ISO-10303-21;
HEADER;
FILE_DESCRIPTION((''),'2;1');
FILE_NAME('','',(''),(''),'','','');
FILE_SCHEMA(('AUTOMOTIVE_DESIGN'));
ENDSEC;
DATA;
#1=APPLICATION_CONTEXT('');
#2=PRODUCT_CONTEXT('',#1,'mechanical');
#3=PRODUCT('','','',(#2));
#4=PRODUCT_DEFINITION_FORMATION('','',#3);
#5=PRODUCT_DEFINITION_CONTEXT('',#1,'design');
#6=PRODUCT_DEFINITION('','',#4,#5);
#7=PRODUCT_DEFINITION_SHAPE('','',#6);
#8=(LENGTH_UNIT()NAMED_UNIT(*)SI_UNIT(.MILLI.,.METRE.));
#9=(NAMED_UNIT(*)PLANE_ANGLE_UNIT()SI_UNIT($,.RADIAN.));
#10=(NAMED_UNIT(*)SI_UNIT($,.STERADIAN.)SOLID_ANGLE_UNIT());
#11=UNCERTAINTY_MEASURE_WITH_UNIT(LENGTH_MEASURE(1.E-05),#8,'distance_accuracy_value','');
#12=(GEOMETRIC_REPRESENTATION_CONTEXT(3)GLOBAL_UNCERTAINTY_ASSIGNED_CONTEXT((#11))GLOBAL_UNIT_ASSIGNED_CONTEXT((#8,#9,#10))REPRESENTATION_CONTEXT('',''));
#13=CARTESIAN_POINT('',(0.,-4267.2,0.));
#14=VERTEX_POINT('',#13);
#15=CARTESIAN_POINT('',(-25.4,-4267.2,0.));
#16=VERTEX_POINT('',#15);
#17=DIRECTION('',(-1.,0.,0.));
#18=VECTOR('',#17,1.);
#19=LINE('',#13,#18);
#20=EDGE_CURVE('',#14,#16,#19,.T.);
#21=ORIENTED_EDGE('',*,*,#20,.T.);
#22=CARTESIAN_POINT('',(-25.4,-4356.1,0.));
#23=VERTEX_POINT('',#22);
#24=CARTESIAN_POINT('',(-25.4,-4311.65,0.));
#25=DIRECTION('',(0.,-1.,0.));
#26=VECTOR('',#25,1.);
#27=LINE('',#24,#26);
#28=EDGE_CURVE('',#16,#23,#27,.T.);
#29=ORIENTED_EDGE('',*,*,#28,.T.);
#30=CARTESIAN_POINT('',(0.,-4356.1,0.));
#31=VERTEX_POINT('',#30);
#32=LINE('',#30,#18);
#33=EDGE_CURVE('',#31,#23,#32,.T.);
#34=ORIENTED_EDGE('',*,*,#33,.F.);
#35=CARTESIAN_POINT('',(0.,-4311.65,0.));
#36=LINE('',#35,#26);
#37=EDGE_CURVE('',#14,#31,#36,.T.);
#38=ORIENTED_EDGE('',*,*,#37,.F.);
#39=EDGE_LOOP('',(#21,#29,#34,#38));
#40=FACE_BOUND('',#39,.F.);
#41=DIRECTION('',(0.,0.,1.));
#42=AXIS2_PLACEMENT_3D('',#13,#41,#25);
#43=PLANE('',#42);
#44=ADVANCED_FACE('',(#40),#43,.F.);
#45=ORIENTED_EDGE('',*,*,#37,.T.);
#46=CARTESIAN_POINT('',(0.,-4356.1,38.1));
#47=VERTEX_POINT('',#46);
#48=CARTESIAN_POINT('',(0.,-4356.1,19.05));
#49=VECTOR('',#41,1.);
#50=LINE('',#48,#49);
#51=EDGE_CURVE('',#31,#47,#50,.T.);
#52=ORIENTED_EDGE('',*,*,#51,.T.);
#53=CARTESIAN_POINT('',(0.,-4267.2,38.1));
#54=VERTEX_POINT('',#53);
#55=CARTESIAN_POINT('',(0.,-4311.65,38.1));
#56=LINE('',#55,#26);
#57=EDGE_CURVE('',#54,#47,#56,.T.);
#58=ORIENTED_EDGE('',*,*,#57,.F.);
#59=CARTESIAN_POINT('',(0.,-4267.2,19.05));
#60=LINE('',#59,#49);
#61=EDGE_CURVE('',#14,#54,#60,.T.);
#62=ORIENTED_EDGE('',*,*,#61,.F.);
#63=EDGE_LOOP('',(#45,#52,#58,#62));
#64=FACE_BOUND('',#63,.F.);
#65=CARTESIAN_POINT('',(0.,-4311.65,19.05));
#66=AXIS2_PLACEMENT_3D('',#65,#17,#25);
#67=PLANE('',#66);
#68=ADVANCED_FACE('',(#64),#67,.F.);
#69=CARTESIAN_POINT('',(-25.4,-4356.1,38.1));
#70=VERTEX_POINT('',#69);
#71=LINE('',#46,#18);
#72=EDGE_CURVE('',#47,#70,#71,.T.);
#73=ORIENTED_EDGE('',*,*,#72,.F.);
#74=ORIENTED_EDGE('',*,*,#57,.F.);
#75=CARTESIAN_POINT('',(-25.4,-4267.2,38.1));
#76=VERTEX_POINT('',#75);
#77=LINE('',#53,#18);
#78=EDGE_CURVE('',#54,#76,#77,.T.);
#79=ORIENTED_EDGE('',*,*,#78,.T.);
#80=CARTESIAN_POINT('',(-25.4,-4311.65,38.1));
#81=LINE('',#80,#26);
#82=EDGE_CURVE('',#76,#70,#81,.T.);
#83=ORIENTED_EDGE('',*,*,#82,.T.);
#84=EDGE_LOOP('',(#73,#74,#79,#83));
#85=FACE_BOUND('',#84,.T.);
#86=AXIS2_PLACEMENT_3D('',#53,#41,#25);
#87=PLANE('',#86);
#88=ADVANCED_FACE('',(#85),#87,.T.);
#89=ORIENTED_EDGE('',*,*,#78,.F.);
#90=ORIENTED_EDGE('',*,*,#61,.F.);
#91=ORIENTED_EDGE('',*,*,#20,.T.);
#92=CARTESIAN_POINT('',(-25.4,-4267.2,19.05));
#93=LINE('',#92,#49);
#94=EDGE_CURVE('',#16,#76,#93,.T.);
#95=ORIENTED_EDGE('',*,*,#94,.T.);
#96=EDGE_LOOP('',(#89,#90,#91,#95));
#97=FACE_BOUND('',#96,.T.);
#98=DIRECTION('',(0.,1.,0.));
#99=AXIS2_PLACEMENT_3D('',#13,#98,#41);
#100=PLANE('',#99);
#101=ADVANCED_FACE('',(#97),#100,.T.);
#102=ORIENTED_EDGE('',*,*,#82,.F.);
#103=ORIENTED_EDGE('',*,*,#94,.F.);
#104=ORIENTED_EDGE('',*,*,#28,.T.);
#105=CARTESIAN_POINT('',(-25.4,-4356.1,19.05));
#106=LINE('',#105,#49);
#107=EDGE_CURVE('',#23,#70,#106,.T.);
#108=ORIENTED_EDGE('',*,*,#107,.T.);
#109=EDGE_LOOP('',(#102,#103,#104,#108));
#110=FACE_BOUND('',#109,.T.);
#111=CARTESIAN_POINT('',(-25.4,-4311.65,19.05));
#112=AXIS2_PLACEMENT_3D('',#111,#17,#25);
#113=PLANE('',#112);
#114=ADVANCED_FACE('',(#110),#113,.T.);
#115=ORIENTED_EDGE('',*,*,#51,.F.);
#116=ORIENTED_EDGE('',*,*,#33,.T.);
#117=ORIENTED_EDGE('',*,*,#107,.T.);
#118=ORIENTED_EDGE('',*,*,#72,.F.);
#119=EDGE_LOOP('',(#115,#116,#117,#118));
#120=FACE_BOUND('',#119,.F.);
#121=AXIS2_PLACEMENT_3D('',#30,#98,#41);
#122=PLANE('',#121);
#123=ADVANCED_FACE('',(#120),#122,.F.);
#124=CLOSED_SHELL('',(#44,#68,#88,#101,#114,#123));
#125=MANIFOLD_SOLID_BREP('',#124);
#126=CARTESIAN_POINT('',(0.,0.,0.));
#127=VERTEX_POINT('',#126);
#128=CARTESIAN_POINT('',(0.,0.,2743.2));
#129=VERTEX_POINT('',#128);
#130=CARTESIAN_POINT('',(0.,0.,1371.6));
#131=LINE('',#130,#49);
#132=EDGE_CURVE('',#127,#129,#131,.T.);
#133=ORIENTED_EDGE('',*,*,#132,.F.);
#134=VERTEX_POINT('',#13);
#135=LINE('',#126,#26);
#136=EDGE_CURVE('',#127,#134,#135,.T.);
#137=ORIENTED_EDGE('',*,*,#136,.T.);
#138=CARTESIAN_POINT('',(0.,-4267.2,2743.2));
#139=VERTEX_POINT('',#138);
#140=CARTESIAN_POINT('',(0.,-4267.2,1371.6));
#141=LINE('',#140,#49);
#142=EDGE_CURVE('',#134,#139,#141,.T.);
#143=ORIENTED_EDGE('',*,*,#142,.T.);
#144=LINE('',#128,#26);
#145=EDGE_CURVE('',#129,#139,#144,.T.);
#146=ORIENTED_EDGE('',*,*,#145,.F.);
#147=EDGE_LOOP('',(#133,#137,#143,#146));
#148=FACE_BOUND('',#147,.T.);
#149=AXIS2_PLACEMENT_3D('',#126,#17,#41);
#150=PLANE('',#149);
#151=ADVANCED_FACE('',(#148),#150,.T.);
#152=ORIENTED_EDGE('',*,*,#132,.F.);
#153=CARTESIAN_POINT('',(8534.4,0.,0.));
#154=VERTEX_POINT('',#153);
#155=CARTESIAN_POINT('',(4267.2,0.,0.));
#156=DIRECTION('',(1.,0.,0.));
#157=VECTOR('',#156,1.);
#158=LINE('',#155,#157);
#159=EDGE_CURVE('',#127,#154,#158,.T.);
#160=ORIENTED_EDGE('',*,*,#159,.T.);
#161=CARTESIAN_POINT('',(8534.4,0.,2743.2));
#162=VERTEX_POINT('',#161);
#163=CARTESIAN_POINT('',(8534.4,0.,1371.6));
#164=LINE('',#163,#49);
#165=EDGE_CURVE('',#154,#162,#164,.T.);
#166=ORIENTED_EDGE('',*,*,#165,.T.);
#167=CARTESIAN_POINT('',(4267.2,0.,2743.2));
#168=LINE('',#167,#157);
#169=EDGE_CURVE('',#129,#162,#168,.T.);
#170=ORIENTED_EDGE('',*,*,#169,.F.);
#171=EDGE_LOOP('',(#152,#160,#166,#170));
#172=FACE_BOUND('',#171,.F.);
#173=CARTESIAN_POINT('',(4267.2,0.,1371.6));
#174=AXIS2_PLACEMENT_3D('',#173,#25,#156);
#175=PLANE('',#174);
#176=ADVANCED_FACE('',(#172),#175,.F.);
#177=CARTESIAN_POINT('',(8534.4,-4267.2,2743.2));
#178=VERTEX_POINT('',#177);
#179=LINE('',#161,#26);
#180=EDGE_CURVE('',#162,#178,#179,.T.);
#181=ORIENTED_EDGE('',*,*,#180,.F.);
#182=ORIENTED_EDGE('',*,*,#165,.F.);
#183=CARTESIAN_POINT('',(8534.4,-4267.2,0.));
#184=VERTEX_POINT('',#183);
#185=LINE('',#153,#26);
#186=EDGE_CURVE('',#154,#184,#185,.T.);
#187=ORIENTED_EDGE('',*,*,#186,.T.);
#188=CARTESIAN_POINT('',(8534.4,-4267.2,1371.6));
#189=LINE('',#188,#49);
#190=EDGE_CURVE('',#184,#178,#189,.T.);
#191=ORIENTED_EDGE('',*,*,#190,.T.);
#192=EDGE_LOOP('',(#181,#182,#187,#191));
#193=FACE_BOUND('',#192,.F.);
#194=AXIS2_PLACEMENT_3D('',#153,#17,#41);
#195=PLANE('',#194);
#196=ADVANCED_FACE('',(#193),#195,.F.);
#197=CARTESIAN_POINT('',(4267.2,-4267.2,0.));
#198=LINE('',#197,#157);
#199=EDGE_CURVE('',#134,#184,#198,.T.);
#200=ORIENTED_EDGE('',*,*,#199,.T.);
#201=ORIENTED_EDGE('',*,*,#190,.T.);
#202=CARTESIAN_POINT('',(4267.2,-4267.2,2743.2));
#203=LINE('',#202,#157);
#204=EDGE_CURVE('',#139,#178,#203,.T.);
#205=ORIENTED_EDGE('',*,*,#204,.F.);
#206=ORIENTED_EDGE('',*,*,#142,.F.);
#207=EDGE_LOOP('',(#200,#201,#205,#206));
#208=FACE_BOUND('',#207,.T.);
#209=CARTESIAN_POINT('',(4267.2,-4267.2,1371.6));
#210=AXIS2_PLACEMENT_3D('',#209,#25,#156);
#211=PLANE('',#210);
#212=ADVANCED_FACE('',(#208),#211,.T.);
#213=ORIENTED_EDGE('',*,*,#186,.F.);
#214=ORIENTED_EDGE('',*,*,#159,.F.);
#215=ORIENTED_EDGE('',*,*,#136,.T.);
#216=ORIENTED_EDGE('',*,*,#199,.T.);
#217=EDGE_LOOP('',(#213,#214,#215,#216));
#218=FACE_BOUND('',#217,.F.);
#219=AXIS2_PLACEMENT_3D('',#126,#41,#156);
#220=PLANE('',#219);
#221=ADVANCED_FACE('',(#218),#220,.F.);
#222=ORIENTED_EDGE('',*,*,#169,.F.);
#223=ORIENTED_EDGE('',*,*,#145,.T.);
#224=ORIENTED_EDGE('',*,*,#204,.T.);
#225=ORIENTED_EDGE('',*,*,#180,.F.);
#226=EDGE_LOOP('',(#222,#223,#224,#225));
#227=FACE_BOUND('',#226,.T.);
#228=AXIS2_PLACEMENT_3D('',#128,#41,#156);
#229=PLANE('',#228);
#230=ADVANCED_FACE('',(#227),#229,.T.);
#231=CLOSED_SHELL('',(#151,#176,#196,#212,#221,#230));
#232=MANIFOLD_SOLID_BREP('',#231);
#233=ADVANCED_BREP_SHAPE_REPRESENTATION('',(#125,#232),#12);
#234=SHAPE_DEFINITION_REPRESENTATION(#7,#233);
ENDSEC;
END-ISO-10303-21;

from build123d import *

# Parameters (mm, degrees)
F0_W     = 8534.4
F0_H     = 2743.2
F1_DEPTH = 4267.2
F2_W     = 88.9
F2_H     = 38.1
F3_DEPTH = 25.4


with BuildPart() as f1:
    # F0 (on Front) → F1 (new body)
    with BuildSketch(Plane.XZ):
        with Locations((4267.2, 1371.6)):
            Rectangle(F0_W, F0_H)
    extrude(amount=F1_DEPTH)


with BuildPart() as f3:
    # F2 (on face) → F3 (new body)
    with BuildSketch(Plane(origin=(0, 0, 0), x_dir=(0, -1, 0), z_dir=(-1, 0, 0))):
        with Locations((4311.65, 19.05)):
            Rectangle(F2_W, F2_H)
    extrude(amount=F3_DEPTH)


solid = Compound([f1.part, f3.part])
